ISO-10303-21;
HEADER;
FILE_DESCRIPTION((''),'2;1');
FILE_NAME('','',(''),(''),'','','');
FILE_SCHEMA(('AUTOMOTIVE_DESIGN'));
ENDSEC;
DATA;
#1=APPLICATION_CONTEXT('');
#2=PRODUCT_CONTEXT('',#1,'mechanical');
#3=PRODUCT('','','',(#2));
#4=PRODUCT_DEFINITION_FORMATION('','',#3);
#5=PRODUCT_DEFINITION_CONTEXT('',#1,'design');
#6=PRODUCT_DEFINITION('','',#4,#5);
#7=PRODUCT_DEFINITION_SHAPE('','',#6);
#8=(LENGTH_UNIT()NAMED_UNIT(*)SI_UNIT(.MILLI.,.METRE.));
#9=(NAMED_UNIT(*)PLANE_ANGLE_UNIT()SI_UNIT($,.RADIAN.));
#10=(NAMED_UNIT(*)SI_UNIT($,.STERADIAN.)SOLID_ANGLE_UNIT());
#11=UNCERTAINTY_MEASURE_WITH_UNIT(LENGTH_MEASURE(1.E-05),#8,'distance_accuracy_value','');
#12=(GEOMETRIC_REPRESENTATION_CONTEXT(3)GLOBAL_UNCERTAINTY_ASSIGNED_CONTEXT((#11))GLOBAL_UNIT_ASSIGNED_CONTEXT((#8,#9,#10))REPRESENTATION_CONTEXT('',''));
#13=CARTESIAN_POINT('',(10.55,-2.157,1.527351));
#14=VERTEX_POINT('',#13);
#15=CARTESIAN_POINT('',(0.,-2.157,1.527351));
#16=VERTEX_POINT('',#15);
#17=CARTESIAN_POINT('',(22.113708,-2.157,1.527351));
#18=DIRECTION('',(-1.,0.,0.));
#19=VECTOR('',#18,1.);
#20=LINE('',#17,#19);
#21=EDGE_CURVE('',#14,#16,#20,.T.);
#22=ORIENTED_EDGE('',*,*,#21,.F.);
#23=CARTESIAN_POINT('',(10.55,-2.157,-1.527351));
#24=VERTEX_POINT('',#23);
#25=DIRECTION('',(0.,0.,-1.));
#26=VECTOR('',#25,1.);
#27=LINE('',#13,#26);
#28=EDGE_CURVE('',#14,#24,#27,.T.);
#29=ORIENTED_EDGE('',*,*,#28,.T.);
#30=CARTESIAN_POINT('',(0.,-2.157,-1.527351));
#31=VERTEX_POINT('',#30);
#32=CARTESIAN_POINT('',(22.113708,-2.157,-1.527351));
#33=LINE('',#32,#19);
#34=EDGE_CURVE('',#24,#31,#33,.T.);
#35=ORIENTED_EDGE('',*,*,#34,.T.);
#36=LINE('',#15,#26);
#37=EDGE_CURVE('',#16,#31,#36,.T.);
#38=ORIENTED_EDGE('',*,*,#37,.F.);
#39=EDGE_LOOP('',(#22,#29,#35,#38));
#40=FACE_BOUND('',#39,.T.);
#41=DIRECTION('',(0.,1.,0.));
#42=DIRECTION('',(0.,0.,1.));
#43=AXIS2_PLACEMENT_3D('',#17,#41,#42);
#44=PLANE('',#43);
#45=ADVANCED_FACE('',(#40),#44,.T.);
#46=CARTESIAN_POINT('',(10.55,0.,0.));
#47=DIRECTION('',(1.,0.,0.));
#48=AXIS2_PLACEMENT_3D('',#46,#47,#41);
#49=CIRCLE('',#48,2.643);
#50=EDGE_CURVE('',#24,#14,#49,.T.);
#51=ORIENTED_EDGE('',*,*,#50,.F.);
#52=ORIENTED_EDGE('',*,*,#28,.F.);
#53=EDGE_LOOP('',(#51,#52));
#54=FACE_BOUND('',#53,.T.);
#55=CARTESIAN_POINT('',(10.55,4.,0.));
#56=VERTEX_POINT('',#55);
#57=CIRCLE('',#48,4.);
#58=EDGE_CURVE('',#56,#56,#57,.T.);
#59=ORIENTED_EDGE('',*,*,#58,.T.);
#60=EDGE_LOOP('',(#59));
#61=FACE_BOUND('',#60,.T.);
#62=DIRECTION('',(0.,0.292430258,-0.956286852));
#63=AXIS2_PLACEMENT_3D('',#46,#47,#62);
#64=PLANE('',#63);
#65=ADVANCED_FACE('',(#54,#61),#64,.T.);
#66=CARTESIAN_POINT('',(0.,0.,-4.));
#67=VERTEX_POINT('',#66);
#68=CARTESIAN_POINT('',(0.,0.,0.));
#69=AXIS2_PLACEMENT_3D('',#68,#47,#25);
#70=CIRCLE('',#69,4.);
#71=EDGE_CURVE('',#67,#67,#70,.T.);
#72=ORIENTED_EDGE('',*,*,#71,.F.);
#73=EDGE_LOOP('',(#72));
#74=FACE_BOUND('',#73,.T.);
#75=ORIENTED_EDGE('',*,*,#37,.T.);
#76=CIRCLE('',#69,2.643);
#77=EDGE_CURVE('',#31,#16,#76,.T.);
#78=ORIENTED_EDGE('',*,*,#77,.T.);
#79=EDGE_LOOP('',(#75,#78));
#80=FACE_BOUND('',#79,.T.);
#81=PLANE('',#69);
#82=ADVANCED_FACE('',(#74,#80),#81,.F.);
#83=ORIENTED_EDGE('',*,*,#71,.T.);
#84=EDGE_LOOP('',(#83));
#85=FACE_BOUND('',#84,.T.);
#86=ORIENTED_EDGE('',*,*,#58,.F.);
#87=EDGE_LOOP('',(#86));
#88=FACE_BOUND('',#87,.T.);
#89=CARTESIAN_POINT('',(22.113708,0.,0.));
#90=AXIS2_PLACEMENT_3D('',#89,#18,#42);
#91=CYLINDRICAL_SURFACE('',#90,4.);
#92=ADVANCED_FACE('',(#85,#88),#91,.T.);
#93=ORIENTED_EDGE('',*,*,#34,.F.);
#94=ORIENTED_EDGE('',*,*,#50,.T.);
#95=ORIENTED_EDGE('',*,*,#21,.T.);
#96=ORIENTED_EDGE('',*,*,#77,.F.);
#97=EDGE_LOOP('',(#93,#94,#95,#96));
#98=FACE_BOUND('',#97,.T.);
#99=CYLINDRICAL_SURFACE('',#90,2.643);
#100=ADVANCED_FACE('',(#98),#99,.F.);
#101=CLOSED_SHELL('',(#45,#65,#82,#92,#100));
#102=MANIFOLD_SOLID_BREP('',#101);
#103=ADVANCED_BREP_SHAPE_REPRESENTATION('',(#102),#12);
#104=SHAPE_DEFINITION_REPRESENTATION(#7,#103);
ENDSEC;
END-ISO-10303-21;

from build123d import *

# Parameters (mm, degrees)
SKETCH1_R           = 4
BOSS_EXTRUDE1_DEPTH = 10.55


with BuildPart() as part:
    # Sketch1 → Boss-Extrude1 (new body)
    with BuildSketch(Plane(origin=(0, 0, 0), x_dir=(0, 0, -1), z_dir=(1, 0, 0))):
        Circle(SKETCH1_R)
        with BuildLine():
            Line((-1.527350647, -2.157), (1.527350647, -2.157))
            ThreePointArc((1.527350647, -2.157), (0, 2.643), (-1.527350647, -2.157))
        make_face(mode=Mode.SUBTRACT)
    extrude(amount=BOSS_EXTRUDE1_DEPTH)


solid = part.part
